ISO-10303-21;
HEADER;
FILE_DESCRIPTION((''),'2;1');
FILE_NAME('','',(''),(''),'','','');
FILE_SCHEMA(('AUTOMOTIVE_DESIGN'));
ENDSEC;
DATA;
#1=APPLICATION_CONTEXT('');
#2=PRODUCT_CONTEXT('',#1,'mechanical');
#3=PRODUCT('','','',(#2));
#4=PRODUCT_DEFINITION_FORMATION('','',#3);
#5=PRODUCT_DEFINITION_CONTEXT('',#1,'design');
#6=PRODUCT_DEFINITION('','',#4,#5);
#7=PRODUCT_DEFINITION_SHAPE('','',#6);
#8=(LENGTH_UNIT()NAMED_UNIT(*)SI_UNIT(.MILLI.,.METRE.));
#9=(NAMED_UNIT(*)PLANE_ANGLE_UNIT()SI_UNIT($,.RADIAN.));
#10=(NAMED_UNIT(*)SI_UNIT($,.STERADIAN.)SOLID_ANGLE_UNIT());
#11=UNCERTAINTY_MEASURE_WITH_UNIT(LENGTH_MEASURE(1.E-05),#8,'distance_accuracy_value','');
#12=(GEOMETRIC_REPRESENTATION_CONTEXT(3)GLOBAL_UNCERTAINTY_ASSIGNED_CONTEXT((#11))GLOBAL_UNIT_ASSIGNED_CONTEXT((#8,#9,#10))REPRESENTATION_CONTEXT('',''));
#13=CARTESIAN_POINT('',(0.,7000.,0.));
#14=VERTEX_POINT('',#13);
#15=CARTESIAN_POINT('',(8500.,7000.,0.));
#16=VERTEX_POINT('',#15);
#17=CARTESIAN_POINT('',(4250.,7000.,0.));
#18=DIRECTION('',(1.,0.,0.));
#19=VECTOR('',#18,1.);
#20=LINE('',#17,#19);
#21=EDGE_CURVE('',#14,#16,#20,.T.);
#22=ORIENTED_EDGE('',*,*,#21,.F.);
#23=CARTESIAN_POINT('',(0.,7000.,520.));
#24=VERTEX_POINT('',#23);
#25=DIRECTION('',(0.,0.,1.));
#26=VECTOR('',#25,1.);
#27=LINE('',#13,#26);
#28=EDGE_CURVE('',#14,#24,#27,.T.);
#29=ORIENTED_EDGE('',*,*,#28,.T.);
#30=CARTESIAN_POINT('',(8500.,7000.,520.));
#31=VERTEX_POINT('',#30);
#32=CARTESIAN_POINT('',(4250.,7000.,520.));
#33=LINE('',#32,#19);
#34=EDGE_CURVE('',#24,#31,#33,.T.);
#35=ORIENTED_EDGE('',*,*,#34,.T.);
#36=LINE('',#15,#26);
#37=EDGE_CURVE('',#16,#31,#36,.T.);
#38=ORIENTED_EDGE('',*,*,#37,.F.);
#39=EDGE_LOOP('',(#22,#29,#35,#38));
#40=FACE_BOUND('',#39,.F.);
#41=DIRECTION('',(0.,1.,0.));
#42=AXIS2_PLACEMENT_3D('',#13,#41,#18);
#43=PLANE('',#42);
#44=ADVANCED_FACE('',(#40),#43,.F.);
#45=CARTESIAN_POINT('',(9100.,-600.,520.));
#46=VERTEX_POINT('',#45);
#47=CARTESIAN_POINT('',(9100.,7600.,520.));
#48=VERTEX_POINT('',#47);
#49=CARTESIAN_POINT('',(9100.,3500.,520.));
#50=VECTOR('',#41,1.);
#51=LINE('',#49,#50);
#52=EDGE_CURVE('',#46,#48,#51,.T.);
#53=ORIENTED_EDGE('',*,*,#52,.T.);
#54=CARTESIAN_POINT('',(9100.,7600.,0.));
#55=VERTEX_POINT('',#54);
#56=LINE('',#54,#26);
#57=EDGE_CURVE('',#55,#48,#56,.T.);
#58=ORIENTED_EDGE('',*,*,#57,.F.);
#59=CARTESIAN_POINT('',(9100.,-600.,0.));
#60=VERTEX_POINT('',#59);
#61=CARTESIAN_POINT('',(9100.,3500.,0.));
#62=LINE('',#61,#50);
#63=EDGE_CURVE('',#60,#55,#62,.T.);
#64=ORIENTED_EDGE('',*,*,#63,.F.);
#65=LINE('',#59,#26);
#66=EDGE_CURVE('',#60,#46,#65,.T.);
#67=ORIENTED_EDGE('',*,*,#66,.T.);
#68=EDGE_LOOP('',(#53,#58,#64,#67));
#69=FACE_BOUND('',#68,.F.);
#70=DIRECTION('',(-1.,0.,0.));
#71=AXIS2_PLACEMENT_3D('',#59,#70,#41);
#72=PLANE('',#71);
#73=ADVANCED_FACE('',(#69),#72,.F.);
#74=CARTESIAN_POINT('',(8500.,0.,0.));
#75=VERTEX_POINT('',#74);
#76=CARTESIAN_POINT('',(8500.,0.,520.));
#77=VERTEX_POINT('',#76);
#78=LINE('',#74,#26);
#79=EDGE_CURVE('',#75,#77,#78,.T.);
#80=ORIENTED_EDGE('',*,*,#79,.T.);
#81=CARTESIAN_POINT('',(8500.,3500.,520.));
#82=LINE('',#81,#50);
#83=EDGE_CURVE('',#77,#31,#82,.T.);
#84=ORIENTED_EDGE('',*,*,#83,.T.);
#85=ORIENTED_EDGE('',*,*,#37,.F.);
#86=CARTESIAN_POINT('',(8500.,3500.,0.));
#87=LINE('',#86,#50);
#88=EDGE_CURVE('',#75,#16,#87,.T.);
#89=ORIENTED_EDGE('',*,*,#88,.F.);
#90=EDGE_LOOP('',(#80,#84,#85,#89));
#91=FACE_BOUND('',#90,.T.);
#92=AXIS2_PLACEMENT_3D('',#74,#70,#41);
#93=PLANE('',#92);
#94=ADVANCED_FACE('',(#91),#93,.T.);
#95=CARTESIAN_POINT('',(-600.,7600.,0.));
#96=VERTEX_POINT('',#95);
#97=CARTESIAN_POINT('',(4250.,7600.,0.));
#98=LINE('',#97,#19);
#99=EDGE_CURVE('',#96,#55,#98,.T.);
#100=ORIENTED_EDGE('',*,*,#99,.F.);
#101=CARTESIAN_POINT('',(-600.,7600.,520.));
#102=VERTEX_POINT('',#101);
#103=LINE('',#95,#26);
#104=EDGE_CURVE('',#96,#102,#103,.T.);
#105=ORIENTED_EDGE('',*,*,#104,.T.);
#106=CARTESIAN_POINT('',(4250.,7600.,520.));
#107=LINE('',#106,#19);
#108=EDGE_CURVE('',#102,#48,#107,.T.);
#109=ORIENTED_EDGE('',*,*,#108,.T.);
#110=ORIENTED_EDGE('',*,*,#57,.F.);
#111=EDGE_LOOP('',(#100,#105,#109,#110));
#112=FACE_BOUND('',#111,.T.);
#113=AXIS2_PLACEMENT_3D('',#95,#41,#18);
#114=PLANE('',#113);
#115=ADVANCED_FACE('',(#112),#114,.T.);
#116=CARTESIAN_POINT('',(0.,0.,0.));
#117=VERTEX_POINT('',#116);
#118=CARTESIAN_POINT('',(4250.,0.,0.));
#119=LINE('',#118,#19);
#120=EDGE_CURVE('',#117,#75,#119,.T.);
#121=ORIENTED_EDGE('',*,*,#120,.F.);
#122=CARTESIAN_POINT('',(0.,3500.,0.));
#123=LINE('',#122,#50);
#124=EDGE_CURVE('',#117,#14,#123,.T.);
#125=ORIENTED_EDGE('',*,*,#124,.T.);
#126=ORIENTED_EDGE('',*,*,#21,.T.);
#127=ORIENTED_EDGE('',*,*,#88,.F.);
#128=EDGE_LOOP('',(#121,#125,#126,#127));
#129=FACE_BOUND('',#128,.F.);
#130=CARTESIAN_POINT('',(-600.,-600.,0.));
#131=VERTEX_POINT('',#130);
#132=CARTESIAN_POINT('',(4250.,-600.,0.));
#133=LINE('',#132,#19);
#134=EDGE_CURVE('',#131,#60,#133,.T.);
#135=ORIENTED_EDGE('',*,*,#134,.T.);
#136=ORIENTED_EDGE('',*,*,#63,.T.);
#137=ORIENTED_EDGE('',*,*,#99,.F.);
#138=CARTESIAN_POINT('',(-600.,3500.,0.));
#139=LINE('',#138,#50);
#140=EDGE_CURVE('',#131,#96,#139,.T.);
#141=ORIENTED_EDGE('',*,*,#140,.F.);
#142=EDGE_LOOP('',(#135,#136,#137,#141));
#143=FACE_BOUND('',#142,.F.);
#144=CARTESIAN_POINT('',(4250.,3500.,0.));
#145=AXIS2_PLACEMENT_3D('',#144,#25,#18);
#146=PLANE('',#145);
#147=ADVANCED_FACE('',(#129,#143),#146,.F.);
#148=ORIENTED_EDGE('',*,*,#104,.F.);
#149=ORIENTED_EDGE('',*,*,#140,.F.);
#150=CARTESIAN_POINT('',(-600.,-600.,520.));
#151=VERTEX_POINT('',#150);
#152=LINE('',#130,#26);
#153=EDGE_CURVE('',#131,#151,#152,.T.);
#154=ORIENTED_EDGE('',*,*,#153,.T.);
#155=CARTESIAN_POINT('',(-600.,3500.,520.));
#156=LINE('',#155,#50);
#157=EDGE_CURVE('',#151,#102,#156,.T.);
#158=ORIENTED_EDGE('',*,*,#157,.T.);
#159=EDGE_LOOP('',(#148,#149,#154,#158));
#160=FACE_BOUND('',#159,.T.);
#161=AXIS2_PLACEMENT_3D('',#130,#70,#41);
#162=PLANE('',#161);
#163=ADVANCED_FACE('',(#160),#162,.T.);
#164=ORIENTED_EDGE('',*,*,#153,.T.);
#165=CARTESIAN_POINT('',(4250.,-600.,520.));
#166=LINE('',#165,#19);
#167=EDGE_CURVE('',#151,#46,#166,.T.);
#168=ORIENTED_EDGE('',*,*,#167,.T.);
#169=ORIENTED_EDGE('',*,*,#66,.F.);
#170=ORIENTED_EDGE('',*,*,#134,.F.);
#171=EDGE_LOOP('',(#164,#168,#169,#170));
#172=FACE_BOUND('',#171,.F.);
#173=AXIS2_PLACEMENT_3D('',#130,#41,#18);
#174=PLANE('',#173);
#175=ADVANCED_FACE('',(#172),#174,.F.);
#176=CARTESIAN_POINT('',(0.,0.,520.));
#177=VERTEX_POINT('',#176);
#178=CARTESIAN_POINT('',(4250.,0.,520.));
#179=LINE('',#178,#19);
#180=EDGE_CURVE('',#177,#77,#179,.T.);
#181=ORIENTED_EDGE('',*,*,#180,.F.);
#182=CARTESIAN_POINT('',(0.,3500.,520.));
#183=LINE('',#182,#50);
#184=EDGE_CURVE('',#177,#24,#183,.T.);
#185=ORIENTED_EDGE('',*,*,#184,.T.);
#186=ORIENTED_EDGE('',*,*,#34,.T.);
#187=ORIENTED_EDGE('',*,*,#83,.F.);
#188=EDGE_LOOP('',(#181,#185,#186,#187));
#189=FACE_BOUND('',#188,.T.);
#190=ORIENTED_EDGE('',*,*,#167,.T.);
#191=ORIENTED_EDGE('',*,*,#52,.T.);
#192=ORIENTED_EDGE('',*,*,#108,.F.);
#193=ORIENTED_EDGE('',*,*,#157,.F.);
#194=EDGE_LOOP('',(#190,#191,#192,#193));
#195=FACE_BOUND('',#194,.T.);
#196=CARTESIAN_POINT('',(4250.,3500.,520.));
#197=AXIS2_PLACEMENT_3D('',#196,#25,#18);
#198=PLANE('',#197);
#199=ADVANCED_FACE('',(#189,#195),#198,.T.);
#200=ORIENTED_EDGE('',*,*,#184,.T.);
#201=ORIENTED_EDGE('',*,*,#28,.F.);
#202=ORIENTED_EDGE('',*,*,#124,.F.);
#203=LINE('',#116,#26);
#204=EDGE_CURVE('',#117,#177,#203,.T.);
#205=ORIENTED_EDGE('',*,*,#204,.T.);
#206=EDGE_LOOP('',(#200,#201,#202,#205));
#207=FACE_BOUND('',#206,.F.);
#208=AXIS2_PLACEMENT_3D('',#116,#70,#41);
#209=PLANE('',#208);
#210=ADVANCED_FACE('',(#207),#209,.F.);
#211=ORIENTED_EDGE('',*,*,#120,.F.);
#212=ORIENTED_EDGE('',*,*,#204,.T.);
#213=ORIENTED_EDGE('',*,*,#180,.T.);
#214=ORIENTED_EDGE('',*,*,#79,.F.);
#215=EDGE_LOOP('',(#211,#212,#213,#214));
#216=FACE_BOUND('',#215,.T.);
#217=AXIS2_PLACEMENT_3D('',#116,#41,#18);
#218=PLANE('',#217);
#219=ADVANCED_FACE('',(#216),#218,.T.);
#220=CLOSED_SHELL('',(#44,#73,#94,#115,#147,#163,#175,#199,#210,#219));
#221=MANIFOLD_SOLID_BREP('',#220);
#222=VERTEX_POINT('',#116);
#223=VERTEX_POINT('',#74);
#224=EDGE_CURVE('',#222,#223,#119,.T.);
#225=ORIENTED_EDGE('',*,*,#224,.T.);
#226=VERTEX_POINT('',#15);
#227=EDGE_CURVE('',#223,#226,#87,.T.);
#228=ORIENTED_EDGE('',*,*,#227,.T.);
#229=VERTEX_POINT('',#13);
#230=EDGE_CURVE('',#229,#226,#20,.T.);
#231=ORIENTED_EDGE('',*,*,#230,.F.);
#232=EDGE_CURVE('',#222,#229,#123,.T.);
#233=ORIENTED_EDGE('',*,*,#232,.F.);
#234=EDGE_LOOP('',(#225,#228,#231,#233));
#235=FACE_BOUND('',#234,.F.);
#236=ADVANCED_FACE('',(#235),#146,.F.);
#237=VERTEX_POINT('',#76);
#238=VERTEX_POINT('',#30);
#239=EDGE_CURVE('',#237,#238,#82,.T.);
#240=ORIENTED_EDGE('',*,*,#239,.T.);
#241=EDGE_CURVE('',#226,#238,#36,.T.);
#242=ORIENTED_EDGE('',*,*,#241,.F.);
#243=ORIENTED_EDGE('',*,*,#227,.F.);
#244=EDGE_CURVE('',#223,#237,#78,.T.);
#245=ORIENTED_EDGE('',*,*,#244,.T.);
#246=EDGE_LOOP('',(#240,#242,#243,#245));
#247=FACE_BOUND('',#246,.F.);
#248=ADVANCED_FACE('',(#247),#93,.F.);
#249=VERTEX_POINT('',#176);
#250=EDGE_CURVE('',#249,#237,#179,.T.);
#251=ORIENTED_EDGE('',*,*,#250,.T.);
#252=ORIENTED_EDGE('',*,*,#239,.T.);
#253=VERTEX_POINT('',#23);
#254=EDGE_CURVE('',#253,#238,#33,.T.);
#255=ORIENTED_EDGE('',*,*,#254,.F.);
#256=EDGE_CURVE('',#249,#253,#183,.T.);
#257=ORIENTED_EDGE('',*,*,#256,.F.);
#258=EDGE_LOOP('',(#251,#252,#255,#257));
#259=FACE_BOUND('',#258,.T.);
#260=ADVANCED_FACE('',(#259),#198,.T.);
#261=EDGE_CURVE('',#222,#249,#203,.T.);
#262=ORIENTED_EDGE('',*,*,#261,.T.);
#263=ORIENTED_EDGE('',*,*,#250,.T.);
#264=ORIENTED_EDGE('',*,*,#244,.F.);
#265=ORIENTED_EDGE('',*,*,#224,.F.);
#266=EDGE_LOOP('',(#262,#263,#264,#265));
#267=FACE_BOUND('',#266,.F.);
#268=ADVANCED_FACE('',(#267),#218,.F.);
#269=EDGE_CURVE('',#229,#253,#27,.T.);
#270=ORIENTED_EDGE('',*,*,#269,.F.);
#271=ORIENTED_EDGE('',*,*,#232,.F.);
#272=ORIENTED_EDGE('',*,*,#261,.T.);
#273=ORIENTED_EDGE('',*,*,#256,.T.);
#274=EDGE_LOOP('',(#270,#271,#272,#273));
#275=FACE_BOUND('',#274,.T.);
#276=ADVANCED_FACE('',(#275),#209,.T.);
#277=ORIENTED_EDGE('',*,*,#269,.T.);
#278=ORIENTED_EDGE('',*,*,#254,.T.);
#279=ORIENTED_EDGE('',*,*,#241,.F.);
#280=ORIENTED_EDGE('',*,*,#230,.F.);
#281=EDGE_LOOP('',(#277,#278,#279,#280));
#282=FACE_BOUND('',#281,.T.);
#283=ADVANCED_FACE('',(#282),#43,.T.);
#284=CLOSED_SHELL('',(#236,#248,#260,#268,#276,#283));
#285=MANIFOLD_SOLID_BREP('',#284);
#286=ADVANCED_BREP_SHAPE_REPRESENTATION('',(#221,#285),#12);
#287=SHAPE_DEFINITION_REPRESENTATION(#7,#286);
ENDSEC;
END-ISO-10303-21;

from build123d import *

# Parameters (mm, degrees)
F0_W     = 8500
F0_H     = 7000
F1_DEPTH = 520
F2_W     = 9700
F2_H     = 8200
F2_W_2   = 8500
F2_H_2   = 7000
F3_DEPTH = 520


with BuildPart() as f1:
    # F0 (on Top) → F1 (new body)
    with BuildSketch(Plane.XY):
        with Locations((4250, 3500)):
            Rectangle(F0_W, F0_H)
    extrude(amount=F1_DEPTH)


with BuildPart() as f3:
    # F2 (on Top) → F3 (new body, through all)
    with BuildSketch(Plane.XY):
        with Locations((4250, 3500)):
            Rectangle(F2_W, F2_H)
        with Locations((4250, 3500)):
            Rectangle(F2_W_2, F2_H_2, mode=Mode.SUBTRACT)
    extrude(amount=F3_DEPTH)


solid = Compound([f1.part, f3.part])
